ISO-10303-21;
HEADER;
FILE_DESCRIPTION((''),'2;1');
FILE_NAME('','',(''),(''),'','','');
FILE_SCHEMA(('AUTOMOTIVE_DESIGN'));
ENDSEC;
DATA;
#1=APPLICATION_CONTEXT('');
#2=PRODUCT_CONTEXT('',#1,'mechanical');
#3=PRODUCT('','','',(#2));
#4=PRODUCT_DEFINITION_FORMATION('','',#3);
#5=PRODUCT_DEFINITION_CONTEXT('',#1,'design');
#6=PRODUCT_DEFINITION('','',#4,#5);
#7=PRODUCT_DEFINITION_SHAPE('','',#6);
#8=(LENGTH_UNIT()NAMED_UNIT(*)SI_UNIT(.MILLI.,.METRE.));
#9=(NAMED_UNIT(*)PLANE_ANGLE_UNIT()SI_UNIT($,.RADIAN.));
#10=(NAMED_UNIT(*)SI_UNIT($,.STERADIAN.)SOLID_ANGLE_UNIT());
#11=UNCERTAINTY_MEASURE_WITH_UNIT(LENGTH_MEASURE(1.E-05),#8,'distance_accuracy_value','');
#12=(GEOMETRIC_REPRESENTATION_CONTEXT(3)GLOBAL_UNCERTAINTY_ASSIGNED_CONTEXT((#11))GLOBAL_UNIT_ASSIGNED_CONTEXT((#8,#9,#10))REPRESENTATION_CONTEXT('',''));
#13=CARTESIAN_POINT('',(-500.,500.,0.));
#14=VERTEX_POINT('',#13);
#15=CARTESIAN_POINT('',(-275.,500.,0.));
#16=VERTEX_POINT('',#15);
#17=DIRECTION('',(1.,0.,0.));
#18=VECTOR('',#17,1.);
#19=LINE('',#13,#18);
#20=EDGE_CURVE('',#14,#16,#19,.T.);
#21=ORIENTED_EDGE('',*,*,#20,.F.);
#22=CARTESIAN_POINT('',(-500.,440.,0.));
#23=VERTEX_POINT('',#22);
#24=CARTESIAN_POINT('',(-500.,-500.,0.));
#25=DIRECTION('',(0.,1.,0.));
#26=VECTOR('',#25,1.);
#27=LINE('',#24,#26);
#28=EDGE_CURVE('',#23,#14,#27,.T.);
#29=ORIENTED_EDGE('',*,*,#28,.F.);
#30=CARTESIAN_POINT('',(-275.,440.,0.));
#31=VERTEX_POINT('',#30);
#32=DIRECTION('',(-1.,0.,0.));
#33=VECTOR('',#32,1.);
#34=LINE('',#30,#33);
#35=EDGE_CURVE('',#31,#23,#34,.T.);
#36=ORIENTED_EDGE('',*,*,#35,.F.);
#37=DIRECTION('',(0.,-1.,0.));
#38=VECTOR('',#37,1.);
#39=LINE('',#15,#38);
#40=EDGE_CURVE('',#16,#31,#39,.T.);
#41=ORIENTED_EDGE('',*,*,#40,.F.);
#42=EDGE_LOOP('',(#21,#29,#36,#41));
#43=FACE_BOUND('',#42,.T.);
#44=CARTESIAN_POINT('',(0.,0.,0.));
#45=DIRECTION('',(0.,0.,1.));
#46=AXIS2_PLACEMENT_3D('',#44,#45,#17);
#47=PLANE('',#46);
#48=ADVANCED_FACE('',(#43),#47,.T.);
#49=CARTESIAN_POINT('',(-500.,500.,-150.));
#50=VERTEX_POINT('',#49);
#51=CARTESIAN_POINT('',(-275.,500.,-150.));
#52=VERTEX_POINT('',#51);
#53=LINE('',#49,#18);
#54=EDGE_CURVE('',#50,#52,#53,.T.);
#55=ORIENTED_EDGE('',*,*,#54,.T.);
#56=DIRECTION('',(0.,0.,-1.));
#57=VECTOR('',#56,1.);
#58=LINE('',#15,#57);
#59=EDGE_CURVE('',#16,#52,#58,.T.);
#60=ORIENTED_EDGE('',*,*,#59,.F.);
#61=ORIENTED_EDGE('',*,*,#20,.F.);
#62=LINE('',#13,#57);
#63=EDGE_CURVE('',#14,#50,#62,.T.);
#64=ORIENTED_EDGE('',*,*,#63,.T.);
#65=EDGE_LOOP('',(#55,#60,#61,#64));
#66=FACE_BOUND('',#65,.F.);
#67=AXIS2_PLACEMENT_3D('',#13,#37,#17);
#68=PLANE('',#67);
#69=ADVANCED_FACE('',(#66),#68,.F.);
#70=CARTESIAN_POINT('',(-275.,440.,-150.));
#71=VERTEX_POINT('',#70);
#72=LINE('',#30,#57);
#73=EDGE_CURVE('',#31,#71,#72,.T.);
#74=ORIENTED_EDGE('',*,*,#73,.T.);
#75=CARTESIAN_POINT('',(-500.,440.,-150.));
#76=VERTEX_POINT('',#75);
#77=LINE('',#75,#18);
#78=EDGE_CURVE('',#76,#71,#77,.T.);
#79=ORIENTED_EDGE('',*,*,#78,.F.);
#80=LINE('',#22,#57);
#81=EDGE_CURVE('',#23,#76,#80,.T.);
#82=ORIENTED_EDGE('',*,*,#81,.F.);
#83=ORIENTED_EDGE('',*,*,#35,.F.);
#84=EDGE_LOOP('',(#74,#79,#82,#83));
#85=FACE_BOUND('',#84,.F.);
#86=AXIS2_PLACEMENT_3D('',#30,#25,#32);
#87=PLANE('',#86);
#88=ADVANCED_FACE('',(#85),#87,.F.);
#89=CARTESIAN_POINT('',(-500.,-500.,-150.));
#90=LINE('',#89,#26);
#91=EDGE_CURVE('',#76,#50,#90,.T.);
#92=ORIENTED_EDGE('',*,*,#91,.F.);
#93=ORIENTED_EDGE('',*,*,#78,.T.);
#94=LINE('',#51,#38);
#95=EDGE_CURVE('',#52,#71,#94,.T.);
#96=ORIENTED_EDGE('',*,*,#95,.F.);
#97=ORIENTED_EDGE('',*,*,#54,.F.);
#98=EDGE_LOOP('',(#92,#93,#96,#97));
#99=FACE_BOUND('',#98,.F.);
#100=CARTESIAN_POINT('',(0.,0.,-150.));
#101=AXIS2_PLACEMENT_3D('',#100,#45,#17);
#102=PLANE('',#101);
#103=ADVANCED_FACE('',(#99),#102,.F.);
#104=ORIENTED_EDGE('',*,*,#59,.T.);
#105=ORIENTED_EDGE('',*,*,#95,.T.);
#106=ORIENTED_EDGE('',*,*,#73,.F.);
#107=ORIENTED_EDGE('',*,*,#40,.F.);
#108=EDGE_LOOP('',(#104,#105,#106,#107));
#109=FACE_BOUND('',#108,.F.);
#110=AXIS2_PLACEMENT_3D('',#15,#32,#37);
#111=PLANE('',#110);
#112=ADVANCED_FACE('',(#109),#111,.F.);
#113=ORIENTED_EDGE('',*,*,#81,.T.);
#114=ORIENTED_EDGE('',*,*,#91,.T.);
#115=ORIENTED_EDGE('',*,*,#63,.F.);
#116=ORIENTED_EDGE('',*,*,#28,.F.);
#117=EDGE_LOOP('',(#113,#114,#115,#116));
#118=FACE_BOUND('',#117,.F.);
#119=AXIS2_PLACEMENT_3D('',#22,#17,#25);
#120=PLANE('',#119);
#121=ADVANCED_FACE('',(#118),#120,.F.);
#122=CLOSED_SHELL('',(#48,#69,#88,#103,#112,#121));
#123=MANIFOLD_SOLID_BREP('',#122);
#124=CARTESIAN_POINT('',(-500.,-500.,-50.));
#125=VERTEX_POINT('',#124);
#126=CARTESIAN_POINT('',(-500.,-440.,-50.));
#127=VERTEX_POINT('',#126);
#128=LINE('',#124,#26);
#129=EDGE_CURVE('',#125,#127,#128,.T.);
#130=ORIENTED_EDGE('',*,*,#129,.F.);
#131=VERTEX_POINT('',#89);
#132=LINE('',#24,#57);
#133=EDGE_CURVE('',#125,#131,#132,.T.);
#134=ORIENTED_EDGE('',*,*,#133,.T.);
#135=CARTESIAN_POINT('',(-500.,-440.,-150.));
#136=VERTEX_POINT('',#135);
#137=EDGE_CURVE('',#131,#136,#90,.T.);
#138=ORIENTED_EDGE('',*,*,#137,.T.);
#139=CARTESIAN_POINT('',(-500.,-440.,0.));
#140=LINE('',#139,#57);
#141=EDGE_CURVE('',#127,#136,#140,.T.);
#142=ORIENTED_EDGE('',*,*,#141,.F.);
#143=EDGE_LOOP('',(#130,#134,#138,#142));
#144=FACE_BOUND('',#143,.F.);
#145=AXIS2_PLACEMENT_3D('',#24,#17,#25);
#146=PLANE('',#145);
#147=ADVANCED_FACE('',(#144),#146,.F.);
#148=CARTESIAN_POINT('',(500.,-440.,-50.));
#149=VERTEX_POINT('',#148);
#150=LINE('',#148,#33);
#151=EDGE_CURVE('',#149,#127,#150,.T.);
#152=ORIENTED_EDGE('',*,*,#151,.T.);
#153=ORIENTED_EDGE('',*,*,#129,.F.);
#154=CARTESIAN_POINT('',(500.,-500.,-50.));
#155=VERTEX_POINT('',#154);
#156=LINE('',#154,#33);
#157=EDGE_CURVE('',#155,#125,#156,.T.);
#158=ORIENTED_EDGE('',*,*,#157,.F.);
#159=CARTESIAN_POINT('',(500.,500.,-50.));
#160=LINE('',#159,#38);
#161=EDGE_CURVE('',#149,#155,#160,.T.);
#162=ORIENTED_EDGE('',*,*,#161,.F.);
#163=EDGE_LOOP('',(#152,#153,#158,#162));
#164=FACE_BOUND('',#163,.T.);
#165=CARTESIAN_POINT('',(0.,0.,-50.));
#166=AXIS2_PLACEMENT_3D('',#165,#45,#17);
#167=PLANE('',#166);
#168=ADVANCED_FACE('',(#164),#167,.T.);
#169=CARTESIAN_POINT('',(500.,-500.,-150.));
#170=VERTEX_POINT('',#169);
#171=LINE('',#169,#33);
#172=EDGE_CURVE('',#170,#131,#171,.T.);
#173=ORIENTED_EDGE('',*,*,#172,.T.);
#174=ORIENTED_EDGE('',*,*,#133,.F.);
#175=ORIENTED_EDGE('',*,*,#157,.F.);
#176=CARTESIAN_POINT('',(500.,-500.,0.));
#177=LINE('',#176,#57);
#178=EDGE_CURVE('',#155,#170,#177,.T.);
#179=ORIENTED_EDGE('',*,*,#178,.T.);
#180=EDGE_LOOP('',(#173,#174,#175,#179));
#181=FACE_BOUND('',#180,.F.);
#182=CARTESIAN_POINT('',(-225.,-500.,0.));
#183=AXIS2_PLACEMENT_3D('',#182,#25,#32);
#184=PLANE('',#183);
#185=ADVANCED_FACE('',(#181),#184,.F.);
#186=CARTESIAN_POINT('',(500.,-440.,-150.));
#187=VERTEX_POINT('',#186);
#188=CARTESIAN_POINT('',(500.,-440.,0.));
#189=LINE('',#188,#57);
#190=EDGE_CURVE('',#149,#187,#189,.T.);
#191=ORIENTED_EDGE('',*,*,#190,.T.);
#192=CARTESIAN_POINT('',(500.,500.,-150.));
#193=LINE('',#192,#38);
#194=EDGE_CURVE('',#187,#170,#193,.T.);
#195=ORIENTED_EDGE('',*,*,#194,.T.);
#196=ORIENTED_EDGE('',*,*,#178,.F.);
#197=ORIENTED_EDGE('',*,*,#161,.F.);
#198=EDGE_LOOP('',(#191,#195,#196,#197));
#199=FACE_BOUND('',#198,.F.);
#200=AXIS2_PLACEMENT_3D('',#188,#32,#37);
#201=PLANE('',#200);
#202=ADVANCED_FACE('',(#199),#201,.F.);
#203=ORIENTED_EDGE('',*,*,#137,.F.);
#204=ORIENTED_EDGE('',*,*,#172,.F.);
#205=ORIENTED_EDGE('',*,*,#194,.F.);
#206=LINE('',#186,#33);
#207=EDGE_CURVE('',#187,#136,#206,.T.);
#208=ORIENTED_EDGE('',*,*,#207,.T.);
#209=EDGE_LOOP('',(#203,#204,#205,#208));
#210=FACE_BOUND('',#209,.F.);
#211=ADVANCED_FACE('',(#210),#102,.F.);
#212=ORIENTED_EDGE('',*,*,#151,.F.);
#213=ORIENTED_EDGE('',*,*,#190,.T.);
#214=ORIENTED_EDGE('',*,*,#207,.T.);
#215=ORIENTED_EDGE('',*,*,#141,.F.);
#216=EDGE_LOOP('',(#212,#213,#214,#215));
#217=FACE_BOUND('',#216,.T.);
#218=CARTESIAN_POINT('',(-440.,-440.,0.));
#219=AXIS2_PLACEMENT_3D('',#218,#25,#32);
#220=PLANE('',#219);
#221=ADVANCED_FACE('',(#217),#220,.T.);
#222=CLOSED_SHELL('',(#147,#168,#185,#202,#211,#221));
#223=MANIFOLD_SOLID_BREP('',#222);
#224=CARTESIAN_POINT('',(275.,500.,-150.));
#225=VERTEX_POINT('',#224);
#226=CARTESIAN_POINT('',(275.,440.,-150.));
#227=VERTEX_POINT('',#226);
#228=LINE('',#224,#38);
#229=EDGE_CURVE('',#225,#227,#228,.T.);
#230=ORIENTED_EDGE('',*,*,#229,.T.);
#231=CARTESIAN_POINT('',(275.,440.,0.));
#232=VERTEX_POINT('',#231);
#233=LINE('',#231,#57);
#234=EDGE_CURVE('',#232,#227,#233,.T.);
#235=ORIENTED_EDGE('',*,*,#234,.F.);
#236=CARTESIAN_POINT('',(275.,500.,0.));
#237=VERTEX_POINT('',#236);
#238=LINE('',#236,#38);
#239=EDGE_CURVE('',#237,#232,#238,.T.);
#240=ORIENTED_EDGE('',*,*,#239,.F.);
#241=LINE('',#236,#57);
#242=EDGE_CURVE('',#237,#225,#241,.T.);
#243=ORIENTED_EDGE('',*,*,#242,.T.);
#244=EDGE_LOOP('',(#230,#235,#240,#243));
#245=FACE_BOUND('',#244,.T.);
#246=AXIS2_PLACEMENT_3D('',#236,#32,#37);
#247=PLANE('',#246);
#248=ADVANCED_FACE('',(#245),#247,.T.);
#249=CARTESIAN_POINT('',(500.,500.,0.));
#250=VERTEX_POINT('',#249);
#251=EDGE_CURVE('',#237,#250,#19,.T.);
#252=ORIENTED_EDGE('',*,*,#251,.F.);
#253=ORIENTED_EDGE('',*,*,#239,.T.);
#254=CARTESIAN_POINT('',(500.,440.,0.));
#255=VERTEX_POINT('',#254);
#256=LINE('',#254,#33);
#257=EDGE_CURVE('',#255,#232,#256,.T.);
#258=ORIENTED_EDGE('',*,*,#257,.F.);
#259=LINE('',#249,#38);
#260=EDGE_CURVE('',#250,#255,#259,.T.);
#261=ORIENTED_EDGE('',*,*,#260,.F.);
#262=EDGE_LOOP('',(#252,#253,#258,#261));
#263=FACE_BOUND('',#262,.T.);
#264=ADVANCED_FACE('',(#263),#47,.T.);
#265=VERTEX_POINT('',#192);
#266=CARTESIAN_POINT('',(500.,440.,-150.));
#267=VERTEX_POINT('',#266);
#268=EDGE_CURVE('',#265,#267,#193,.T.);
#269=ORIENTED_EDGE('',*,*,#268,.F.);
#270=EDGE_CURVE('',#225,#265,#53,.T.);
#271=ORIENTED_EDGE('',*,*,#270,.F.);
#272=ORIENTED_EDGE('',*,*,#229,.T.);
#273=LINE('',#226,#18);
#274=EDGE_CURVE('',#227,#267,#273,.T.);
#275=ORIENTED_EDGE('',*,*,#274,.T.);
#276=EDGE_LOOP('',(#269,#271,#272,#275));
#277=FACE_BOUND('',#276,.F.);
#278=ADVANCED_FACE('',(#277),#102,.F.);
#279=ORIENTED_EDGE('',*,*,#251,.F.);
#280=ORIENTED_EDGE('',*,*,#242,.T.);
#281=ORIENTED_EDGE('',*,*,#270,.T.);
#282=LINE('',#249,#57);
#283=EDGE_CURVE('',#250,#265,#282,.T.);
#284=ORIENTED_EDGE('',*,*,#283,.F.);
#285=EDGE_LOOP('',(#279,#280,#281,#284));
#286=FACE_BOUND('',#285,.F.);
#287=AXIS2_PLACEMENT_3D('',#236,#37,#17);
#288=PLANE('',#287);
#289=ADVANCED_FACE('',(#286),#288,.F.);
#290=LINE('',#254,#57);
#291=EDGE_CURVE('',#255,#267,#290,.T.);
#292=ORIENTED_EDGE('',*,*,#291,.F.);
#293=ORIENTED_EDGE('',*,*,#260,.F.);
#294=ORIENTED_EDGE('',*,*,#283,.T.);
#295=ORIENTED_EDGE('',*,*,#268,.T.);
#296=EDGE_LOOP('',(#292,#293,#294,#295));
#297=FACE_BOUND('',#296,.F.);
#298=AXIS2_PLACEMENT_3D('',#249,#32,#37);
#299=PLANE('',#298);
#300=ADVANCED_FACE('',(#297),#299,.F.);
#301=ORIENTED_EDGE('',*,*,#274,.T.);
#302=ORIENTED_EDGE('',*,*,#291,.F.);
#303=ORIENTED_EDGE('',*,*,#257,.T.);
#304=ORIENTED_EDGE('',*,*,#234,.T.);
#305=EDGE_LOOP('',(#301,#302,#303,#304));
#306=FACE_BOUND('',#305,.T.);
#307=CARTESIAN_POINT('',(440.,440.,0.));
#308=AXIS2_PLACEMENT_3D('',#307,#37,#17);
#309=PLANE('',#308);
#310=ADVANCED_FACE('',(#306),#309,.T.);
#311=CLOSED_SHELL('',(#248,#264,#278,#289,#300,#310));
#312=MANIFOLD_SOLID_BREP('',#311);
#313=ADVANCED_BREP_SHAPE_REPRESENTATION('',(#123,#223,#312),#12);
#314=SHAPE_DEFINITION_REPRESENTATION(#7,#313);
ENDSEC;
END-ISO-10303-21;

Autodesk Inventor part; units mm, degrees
ref_plane "YZ Plane" through (0, 0, 0) normal (1, 0, 0) x (0, 1, 0)
ref_plane "XZ Plane" through (0, 0, 0) normal (0, 1, 0) x (-1, 0, 0)
ref_plane "XY Plane" through (0, 0, 0) normal (0, 0, 1) x (1, 0, 0)
sketch "Skizze3" plane through (0, 0, 0) normal (0, 0, 1) x (1, 0, 0)
  line L0 (-500, 500) -> (500, 500)
  line L1 (500, 500) -> (500, -500)
  line L2 (500, -500) -> (-500, -500)
  line L3 (-500, -500) -> (-500, 500)
  line L4 (-500, 500) -> (-275, 500)
  line L5 (-275, 500) -> (-275, 440)
  line L6 (-275, 440) -> (-500, 440)
  line L7 (-500, 440) -> (-500, 500)
  line L8 (500, 500) -> (275, 500)
  line L9 (275, 500) -> (275, 440)
  line L10 (275, 440) -> (500, 440)
  line L11 (500, 440) -> (500, 500)
  line L12 (-275, 500) -> (275, 500)
  line L13 (275, 500) -> (275, 300)
  line L14 (275, 300) -> (-275, 300)
  line L15 (-275, 300) -> (-275, 500)
  line L16 (-225, 300) -> (225, 300)
  line L17 (225, 300) -> (225, 360)
  line L18 (225, 360) -> (-225, 360)
  line L19 (-225, 360) -> (-225, 300)
  line L20 (-500, -500) -> (500, -500)
  line L21 (500, -500) -> (500, -440)
  line L22 (500, -440) -> (-500, -440)
  line L23 (-500, -440) -> (-500, -500)
  line L24 (-440, 440) -> (-500, 440)
  line L25 (-500, 440) -> (-500, -440)
  line L26 (-500, -440) -> (-440, -440)
  line L27 (-440, -440) -> (-440, 440)
  line L28 (500, 440) -> (440, 440)
  line L29 (440, 440) -> (440, -440)
  line L30 (440, -440) -> (500, -440)
  line L31 (500, -440) -> (500, 440)
  arc A0 (-270, -10) -> (-225, 300) centre (-1315.2778, 300) ccw
  arc A1 (-500, -250) -> (-270, -10) centre (-617.8721, 93.1691) ccw
  arc A2 (225, 300) -> (280, 0) centre (1070.6818, 300) ccw
  arc A3 (280, 0) -> (500, -300) centre (931.7592, 247.2901) ccw
  arc A4 (-150, -240) -> (-95, 360) centre (-1146.8979, 153.9031) ccw
  arc A5 (-150, -240) -> (-225, -500) centre (1170.154, -761.631) ccw
  arc A6 (-5, 360) -> (105, -150) centre (4524.0164, 1069.9839) ccw
  arc A7 (125, -500) -> (105, -150) centre (-696.9412, -371.3966) ccw
  circle A8 centre (-165, 430) radius 12.5
  circle A9 centre (-65, 430) radius 12.5
  circle A10 centre (115, 430) radius 12.5
  point P0 (0, 0)
  point P1 (-500.0625, 0)
  point P2 (0, 500.0625)
  point P3 (-500, 0)
  point P4 (0, 500)
  point P5 (0, 360)
  dimension "d5" = 1000
  dimension "d8" = 1000
  dimension "d9" = 60
  dimension "d10" = 225
  dimension "d11" = 225
  dimension "d12" = 550
  dimension "d13" = 200
  dimension "d14" = 450
  dimension "d15" = 60
  dimension "d16" = 60
  dimension "d17" = 880
  dimension "d18" = 60
  dimension "d19" = 60
  dimension "d20" = 250
  dimension "d21" = 230
  dimension "d22" = 240
  dimension "d23" = 200
  dimension "d24" = 300
  dimension "d25" = 220
  dimension "d26" = 130
  dimension "d27" = 150
  dimension "d28" = 275
  dimension "d29" = 75
  dimension "d30" = 260
  dimension "d31" = 90
  dimension "d32" = 230
  dimension "d33" = 375
  dimension "d34" = 350
  dimension "d35" = 365
  dimension "d36" = 350
  dimension "d37" = 20
  dimension "d38" = 25
  dimension "d39" = 70
  dimension "d40" = 60
  dimension "d41" = 110
  dimension "d42" = 30
extrude "Extrusion5" add sketch "Skizze3" against normal blind 150 contours L0 L5 L6 L3 | L0 L1 L10 L9 | L22 A5 L2 L3 | A5 L22 A7 L2 | L1 L2 A7 L22
extrude "Extrusion6" cut sketch "Skizze3" against normal blind 50 contours L22 A5 L2 L3 | A5 L22 A7 L2 | L1 L2 A7 L22
equation "\"d16\" = d9"
equation "\"d18\" = d9"
equation "\"d19\" = d9"
properties part number "UA-70 EinfassungKT"
